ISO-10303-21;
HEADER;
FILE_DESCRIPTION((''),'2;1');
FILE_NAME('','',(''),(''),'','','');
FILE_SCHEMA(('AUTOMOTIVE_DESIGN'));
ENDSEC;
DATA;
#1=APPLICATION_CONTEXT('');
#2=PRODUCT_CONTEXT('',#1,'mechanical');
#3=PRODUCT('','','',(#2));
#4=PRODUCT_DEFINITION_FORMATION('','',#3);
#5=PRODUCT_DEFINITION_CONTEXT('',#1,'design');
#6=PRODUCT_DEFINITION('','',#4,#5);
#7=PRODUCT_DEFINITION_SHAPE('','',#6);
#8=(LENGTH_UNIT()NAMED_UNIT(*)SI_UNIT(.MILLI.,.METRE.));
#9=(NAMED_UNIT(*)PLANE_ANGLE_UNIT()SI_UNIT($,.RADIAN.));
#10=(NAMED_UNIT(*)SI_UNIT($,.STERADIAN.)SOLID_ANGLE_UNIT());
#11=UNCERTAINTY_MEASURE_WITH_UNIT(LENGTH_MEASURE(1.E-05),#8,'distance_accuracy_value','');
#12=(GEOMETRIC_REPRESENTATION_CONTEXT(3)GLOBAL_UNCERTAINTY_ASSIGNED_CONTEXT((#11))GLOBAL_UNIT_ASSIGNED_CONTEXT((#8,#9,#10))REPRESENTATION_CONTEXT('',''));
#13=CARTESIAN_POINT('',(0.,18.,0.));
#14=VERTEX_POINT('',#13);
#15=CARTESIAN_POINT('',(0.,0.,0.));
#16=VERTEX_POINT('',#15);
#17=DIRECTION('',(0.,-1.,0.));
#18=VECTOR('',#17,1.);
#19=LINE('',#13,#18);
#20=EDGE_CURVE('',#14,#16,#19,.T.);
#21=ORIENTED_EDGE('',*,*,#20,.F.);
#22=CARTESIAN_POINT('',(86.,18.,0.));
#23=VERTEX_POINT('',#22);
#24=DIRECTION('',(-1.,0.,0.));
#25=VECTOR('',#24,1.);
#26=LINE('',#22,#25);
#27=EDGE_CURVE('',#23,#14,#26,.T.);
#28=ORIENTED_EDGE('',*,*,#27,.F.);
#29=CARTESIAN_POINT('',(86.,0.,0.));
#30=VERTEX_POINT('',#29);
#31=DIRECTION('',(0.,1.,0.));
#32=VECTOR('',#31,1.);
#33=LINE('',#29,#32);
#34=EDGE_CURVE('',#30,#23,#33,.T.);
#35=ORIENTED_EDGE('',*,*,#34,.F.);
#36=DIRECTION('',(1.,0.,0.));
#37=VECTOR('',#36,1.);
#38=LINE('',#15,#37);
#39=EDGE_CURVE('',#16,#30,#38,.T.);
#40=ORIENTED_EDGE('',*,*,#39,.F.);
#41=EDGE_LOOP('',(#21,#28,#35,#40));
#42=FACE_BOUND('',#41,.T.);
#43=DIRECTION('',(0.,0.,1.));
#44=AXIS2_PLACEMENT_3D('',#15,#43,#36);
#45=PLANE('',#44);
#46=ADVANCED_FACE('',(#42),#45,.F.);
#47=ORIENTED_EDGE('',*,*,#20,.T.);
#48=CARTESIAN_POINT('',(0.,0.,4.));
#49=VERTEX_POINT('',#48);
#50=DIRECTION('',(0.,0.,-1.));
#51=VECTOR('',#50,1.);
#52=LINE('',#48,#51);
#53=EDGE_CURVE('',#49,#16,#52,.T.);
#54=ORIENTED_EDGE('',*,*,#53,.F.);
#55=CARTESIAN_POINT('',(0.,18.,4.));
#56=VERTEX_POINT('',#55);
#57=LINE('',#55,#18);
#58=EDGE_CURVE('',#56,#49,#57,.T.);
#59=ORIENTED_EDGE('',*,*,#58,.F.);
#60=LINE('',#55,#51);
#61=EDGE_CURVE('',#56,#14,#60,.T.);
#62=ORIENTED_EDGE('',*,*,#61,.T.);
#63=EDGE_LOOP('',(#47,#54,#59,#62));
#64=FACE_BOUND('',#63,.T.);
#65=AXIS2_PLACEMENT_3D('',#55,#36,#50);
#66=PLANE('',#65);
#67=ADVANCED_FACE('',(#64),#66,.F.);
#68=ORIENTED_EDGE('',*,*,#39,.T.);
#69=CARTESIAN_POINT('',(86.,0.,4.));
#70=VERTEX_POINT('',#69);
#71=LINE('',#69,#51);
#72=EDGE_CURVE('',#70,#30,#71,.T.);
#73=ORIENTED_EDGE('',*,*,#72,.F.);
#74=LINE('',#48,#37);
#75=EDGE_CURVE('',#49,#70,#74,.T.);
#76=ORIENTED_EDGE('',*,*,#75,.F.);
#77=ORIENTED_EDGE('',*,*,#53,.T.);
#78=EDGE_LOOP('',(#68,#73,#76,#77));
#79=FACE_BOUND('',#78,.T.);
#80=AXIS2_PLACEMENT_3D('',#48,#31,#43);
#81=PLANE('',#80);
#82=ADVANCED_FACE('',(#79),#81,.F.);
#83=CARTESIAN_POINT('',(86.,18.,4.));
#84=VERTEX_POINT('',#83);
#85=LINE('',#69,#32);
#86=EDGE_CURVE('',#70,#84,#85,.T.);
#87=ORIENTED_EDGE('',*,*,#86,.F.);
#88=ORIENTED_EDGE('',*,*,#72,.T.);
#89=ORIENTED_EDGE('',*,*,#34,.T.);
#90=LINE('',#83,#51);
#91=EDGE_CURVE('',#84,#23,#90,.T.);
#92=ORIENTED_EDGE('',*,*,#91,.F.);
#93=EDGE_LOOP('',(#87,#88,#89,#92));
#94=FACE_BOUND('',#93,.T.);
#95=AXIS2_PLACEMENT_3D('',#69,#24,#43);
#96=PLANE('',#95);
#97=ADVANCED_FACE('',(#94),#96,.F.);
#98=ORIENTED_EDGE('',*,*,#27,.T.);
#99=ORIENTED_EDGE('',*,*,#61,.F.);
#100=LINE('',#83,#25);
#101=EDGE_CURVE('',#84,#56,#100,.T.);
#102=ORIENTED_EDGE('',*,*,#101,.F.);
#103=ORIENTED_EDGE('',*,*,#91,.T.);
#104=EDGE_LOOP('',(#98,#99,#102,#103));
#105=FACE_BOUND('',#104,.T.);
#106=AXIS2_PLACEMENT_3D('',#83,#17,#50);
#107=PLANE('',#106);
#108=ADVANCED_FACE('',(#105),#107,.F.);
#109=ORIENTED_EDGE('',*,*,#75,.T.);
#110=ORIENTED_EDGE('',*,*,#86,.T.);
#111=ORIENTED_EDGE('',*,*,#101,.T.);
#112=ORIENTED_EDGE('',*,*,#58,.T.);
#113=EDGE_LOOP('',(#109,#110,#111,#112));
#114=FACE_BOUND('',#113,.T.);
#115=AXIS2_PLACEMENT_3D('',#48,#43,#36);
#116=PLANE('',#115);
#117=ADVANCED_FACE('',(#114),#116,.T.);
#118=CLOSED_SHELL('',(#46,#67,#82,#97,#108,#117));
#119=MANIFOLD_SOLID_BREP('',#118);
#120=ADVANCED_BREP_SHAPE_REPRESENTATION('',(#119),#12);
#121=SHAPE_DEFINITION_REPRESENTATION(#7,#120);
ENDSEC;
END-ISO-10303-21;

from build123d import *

# Parameters (mm, degrees)
SKETCH_1_W            = 86
SKETCH_1_H            = 18
PITCH_YOKE_BEAM_DEPTH = 4


with BuildPart() as part:
    # 草图1 → Pitch_Yoke_Beam (new body)
    with BuildSketch(Plane.XY):
        with Locations((43, 9)):
            Rectangle(SKETCH_1_W, SKETCH_1_H)
    extrude(amount=PITCH_YOKE_BEAM_DEPTH)


solid = part.part
